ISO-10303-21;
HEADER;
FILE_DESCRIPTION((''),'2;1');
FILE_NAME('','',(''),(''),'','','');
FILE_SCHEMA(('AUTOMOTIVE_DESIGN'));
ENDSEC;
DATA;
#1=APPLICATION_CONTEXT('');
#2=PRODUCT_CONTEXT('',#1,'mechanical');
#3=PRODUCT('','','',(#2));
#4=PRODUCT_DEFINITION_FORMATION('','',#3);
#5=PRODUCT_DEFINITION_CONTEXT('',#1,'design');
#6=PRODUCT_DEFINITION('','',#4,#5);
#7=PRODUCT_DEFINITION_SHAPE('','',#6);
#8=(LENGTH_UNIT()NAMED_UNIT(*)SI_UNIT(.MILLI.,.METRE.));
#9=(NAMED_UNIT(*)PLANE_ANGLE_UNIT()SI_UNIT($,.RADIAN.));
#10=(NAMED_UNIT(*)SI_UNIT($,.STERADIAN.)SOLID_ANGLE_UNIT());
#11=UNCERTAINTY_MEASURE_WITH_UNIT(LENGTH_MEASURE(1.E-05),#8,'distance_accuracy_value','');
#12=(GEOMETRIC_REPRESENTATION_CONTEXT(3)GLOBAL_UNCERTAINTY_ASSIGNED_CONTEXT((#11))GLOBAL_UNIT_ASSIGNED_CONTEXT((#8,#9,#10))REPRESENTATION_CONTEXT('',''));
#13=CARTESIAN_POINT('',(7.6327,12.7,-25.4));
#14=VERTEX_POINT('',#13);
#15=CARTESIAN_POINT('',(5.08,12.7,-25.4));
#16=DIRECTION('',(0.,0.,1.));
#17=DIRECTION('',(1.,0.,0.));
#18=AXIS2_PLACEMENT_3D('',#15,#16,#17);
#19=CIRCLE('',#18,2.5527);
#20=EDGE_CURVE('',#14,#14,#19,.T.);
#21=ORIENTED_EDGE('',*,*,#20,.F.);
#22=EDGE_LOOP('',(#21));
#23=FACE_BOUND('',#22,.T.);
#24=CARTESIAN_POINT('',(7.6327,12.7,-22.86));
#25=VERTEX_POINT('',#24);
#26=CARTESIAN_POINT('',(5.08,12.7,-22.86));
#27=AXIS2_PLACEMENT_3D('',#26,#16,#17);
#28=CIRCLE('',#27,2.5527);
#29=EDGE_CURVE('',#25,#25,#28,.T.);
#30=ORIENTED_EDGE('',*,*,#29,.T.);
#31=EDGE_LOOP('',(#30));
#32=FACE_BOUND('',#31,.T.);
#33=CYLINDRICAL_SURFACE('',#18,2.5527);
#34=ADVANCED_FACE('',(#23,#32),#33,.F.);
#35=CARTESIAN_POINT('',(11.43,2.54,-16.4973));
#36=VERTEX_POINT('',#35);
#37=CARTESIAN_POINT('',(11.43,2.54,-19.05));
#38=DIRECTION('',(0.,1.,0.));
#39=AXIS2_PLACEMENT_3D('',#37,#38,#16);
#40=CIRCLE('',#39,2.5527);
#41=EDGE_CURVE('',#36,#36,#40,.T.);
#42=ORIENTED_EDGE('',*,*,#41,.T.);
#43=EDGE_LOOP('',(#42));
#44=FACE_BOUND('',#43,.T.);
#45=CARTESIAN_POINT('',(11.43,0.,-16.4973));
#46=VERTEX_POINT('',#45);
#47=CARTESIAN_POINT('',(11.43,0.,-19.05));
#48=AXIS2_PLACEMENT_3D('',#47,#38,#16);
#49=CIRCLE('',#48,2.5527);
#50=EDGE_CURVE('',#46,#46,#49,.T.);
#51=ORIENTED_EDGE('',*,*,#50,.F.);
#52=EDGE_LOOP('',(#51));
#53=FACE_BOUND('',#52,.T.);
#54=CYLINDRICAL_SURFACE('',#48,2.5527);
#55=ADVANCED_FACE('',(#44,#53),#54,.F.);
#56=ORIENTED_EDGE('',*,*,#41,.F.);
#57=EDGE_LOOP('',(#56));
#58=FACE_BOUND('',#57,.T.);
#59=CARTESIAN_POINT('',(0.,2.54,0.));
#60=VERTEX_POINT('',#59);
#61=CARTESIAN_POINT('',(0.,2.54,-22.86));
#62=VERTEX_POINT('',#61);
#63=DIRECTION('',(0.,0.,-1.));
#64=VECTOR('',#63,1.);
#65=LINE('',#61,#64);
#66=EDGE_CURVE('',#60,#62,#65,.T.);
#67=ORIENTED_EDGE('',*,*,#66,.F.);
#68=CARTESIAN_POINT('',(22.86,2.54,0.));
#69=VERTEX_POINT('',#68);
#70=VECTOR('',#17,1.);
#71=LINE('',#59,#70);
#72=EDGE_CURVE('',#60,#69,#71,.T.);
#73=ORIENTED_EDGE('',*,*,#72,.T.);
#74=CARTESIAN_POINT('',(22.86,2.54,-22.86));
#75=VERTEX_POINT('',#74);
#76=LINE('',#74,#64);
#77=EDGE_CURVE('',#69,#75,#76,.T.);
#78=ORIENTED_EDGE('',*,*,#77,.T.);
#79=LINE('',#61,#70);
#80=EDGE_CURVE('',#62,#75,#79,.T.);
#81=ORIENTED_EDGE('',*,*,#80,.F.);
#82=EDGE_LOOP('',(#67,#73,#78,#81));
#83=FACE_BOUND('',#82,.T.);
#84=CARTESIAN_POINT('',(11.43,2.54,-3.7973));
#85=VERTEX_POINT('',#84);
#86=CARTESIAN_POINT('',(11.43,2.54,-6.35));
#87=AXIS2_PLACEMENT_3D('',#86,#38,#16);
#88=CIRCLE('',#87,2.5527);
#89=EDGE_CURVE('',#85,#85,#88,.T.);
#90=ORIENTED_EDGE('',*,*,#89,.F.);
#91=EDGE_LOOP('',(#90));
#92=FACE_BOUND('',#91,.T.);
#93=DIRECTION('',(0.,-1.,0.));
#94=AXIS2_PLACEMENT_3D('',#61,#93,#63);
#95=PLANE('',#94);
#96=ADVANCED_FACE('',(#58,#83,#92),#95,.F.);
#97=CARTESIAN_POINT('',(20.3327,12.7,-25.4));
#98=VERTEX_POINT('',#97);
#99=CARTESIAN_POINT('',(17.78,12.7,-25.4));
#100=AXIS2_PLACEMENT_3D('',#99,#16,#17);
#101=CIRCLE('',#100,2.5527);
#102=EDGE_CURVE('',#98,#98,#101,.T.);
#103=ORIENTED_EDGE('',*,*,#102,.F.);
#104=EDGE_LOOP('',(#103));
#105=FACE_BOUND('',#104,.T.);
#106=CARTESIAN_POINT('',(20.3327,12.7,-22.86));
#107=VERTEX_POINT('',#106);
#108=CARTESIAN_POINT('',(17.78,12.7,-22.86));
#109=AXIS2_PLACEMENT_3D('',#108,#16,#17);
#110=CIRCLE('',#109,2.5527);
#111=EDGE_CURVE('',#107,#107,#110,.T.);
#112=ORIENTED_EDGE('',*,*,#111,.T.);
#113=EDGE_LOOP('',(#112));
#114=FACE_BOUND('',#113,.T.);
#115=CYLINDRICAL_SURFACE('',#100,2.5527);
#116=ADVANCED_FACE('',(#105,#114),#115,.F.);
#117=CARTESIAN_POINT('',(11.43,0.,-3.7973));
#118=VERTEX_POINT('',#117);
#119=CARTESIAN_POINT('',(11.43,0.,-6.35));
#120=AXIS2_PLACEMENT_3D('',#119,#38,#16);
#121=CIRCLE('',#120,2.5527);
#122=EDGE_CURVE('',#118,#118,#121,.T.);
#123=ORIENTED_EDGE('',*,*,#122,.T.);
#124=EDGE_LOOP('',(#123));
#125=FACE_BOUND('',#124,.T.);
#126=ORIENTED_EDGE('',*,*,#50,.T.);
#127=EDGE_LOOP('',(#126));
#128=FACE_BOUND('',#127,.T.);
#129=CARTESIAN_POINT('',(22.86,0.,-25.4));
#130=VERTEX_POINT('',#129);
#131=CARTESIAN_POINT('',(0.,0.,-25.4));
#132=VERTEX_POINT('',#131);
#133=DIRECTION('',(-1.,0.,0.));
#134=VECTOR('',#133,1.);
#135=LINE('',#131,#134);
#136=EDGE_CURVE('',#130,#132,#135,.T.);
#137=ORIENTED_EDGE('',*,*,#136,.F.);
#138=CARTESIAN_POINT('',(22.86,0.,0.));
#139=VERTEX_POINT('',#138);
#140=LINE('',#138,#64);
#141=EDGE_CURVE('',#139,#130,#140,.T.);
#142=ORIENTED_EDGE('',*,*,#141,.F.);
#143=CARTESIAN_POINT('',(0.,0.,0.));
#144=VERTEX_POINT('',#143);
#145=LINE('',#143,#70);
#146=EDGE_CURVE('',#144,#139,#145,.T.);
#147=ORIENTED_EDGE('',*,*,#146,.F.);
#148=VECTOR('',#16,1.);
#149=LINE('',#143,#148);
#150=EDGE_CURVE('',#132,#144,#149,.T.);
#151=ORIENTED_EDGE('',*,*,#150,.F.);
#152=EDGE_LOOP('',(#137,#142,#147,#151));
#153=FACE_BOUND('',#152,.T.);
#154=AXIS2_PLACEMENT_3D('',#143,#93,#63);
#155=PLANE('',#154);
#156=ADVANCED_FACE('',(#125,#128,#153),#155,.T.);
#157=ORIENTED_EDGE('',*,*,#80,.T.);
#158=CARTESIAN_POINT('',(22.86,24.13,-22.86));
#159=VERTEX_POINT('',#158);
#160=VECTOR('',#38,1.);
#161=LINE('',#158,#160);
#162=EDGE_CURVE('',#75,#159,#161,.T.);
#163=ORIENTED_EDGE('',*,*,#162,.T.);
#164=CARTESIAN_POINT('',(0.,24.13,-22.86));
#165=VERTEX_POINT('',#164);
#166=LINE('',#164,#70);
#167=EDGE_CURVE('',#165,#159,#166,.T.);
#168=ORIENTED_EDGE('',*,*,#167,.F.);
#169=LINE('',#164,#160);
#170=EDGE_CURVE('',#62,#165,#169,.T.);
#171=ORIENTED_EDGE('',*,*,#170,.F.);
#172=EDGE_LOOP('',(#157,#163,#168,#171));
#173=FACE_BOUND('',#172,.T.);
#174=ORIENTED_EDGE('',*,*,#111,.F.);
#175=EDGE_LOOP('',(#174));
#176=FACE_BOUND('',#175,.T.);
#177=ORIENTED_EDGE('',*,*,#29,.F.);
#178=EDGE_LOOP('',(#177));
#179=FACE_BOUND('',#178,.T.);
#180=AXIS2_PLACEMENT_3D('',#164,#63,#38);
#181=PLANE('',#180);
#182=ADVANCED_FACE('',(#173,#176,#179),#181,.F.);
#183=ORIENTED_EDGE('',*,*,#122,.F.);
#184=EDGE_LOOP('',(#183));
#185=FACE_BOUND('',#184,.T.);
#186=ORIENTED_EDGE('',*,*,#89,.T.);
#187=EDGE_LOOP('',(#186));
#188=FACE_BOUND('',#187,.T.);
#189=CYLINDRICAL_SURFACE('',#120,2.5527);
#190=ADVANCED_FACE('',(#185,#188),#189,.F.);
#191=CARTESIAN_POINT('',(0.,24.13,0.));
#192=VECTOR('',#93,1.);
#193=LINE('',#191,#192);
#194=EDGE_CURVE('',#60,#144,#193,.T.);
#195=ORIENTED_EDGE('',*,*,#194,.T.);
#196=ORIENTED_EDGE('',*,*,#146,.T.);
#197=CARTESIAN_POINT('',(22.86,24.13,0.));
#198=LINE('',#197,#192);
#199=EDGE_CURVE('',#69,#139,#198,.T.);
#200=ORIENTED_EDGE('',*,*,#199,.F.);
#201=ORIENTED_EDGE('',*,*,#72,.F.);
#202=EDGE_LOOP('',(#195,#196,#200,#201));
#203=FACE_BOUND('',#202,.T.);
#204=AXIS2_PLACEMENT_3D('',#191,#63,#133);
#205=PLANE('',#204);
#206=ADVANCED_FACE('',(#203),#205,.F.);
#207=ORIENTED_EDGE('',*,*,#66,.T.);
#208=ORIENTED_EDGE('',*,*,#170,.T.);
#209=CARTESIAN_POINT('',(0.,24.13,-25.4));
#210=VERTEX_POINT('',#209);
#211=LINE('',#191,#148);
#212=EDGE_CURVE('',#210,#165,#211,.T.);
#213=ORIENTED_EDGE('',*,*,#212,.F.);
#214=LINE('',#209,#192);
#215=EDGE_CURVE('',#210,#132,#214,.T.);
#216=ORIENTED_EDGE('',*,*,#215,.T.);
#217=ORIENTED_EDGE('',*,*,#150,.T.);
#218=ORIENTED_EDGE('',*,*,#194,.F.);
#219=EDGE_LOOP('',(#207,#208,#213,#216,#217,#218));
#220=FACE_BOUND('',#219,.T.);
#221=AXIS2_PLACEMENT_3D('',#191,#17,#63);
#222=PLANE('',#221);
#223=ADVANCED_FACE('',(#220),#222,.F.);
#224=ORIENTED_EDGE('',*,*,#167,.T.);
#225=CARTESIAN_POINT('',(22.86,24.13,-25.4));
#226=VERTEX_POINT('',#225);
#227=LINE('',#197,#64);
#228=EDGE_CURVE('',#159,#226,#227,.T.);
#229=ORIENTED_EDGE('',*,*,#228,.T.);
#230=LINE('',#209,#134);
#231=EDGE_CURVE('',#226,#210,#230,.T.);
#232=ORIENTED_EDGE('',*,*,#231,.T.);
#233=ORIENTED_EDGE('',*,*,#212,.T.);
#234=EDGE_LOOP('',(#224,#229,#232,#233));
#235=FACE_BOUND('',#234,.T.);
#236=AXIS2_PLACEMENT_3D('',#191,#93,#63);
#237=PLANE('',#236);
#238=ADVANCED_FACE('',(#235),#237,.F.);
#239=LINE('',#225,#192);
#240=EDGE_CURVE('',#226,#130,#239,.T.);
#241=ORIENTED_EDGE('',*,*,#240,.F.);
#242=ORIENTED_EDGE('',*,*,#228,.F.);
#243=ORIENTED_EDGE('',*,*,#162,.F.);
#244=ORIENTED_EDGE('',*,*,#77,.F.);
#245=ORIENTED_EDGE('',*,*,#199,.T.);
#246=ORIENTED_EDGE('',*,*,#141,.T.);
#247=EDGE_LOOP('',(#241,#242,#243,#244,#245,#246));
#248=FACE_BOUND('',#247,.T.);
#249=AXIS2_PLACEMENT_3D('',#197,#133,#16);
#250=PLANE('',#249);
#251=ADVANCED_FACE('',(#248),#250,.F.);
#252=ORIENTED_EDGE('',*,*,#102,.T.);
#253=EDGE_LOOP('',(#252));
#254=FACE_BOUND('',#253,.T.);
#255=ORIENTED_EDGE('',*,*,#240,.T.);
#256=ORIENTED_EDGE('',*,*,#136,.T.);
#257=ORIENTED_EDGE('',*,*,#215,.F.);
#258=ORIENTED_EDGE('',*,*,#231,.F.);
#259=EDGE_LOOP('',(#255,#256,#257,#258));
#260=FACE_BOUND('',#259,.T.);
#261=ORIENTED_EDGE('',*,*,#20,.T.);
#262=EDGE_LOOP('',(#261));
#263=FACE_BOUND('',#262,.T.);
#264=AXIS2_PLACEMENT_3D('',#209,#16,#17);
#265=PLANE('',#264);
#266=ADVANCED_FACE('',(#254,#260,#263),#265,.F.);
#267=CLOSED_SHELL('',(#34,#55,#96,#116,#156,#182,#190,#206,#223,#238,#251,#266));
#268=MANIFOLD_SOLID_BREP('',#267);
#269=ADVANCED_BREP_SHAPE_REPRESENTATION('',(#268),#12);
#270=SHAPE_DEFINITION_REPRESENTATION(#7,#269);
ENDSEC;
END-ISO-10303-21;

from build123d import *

# Parameters (mm, degrees)
SKETCH1_W           = 22.86
SKETCH1_H           = 25.4
BOSS_EXTRUDE1_DEPTH = 24.13
SKETCH2_W           = 22.86
SKETCH2_H           = 21.59
CUT_EXTRUDE1_DEPTH  = 42.832959494
SKETCH3_R           = 2.5527
CUT_EXTRUDE2_DEPTH  = 41.421129376
SKETCH4_R           = 2.5527
CUT_EXTRUDE3_DEPTH  = 41.341245643


with BuildPart() as part:
    # Sketch1 → Boss-Extrude1 (new body)
    with BuildSketch(Plane(origin=(0, 0, 0), x_dir=(1, 0, 0), z_dir=(0, 1, 0))):
        with Locations((11.43, 12.7)):
            Rectangle(SKETCH1_W, SKETCH1_H)
    extrude(amount=BOSS_EXTRUDE1_DEPTH)

    # Sketch2 → Cut-Extrude1 (cut, through all)
    with BuildSketch(Plane(origin=(22.86, 0, 0), x_dir=(0, 0, -1), z_dir=(1, 0, 0))):
        with Locations((11.43, 13.335)):
            Rectangle(SKETCH2_W, SKETCH2_H)
    extrude(amount=-CUT_EXTRUDE1_DEPTH, mode=Mode.SUBTRACT)

    # Sketch3 → Cut-Extrude2 (cut, through all)
    with BuildSketch(Plane(origin=(0, 2.54, 0), x_dir=(1, 0, 0), z_dir=(0, 1, 0))):
        with Locations(Location((11.43, 6.35, 0), (0, 0, 270))):
            Circle(SKETCH3_R)
        with Locations(Location((11.43, 19.05, 0), (0, 0, 270))):
            Circle(SKETCH3_R)
    extrude(amount=-CUT_EXTRUDE2_DEPTH, mode=Mode.SUBTRACT)

    # Sketch4 → Cut-Extrude3 (cut, through all)
    with BuildSketch(Plane.XY.offset(-22.86)):
        with Locations((17.78, 12.7)):
            Circle(SKETCH4_R)
        with Locations((5.08, 12.7)):
            Circle(SKETCH4_R)
    extrude(amount=-CUT_EXTRUDE3_DEPTH, mode=Mode.SUBTRACT)


solid = part.part
